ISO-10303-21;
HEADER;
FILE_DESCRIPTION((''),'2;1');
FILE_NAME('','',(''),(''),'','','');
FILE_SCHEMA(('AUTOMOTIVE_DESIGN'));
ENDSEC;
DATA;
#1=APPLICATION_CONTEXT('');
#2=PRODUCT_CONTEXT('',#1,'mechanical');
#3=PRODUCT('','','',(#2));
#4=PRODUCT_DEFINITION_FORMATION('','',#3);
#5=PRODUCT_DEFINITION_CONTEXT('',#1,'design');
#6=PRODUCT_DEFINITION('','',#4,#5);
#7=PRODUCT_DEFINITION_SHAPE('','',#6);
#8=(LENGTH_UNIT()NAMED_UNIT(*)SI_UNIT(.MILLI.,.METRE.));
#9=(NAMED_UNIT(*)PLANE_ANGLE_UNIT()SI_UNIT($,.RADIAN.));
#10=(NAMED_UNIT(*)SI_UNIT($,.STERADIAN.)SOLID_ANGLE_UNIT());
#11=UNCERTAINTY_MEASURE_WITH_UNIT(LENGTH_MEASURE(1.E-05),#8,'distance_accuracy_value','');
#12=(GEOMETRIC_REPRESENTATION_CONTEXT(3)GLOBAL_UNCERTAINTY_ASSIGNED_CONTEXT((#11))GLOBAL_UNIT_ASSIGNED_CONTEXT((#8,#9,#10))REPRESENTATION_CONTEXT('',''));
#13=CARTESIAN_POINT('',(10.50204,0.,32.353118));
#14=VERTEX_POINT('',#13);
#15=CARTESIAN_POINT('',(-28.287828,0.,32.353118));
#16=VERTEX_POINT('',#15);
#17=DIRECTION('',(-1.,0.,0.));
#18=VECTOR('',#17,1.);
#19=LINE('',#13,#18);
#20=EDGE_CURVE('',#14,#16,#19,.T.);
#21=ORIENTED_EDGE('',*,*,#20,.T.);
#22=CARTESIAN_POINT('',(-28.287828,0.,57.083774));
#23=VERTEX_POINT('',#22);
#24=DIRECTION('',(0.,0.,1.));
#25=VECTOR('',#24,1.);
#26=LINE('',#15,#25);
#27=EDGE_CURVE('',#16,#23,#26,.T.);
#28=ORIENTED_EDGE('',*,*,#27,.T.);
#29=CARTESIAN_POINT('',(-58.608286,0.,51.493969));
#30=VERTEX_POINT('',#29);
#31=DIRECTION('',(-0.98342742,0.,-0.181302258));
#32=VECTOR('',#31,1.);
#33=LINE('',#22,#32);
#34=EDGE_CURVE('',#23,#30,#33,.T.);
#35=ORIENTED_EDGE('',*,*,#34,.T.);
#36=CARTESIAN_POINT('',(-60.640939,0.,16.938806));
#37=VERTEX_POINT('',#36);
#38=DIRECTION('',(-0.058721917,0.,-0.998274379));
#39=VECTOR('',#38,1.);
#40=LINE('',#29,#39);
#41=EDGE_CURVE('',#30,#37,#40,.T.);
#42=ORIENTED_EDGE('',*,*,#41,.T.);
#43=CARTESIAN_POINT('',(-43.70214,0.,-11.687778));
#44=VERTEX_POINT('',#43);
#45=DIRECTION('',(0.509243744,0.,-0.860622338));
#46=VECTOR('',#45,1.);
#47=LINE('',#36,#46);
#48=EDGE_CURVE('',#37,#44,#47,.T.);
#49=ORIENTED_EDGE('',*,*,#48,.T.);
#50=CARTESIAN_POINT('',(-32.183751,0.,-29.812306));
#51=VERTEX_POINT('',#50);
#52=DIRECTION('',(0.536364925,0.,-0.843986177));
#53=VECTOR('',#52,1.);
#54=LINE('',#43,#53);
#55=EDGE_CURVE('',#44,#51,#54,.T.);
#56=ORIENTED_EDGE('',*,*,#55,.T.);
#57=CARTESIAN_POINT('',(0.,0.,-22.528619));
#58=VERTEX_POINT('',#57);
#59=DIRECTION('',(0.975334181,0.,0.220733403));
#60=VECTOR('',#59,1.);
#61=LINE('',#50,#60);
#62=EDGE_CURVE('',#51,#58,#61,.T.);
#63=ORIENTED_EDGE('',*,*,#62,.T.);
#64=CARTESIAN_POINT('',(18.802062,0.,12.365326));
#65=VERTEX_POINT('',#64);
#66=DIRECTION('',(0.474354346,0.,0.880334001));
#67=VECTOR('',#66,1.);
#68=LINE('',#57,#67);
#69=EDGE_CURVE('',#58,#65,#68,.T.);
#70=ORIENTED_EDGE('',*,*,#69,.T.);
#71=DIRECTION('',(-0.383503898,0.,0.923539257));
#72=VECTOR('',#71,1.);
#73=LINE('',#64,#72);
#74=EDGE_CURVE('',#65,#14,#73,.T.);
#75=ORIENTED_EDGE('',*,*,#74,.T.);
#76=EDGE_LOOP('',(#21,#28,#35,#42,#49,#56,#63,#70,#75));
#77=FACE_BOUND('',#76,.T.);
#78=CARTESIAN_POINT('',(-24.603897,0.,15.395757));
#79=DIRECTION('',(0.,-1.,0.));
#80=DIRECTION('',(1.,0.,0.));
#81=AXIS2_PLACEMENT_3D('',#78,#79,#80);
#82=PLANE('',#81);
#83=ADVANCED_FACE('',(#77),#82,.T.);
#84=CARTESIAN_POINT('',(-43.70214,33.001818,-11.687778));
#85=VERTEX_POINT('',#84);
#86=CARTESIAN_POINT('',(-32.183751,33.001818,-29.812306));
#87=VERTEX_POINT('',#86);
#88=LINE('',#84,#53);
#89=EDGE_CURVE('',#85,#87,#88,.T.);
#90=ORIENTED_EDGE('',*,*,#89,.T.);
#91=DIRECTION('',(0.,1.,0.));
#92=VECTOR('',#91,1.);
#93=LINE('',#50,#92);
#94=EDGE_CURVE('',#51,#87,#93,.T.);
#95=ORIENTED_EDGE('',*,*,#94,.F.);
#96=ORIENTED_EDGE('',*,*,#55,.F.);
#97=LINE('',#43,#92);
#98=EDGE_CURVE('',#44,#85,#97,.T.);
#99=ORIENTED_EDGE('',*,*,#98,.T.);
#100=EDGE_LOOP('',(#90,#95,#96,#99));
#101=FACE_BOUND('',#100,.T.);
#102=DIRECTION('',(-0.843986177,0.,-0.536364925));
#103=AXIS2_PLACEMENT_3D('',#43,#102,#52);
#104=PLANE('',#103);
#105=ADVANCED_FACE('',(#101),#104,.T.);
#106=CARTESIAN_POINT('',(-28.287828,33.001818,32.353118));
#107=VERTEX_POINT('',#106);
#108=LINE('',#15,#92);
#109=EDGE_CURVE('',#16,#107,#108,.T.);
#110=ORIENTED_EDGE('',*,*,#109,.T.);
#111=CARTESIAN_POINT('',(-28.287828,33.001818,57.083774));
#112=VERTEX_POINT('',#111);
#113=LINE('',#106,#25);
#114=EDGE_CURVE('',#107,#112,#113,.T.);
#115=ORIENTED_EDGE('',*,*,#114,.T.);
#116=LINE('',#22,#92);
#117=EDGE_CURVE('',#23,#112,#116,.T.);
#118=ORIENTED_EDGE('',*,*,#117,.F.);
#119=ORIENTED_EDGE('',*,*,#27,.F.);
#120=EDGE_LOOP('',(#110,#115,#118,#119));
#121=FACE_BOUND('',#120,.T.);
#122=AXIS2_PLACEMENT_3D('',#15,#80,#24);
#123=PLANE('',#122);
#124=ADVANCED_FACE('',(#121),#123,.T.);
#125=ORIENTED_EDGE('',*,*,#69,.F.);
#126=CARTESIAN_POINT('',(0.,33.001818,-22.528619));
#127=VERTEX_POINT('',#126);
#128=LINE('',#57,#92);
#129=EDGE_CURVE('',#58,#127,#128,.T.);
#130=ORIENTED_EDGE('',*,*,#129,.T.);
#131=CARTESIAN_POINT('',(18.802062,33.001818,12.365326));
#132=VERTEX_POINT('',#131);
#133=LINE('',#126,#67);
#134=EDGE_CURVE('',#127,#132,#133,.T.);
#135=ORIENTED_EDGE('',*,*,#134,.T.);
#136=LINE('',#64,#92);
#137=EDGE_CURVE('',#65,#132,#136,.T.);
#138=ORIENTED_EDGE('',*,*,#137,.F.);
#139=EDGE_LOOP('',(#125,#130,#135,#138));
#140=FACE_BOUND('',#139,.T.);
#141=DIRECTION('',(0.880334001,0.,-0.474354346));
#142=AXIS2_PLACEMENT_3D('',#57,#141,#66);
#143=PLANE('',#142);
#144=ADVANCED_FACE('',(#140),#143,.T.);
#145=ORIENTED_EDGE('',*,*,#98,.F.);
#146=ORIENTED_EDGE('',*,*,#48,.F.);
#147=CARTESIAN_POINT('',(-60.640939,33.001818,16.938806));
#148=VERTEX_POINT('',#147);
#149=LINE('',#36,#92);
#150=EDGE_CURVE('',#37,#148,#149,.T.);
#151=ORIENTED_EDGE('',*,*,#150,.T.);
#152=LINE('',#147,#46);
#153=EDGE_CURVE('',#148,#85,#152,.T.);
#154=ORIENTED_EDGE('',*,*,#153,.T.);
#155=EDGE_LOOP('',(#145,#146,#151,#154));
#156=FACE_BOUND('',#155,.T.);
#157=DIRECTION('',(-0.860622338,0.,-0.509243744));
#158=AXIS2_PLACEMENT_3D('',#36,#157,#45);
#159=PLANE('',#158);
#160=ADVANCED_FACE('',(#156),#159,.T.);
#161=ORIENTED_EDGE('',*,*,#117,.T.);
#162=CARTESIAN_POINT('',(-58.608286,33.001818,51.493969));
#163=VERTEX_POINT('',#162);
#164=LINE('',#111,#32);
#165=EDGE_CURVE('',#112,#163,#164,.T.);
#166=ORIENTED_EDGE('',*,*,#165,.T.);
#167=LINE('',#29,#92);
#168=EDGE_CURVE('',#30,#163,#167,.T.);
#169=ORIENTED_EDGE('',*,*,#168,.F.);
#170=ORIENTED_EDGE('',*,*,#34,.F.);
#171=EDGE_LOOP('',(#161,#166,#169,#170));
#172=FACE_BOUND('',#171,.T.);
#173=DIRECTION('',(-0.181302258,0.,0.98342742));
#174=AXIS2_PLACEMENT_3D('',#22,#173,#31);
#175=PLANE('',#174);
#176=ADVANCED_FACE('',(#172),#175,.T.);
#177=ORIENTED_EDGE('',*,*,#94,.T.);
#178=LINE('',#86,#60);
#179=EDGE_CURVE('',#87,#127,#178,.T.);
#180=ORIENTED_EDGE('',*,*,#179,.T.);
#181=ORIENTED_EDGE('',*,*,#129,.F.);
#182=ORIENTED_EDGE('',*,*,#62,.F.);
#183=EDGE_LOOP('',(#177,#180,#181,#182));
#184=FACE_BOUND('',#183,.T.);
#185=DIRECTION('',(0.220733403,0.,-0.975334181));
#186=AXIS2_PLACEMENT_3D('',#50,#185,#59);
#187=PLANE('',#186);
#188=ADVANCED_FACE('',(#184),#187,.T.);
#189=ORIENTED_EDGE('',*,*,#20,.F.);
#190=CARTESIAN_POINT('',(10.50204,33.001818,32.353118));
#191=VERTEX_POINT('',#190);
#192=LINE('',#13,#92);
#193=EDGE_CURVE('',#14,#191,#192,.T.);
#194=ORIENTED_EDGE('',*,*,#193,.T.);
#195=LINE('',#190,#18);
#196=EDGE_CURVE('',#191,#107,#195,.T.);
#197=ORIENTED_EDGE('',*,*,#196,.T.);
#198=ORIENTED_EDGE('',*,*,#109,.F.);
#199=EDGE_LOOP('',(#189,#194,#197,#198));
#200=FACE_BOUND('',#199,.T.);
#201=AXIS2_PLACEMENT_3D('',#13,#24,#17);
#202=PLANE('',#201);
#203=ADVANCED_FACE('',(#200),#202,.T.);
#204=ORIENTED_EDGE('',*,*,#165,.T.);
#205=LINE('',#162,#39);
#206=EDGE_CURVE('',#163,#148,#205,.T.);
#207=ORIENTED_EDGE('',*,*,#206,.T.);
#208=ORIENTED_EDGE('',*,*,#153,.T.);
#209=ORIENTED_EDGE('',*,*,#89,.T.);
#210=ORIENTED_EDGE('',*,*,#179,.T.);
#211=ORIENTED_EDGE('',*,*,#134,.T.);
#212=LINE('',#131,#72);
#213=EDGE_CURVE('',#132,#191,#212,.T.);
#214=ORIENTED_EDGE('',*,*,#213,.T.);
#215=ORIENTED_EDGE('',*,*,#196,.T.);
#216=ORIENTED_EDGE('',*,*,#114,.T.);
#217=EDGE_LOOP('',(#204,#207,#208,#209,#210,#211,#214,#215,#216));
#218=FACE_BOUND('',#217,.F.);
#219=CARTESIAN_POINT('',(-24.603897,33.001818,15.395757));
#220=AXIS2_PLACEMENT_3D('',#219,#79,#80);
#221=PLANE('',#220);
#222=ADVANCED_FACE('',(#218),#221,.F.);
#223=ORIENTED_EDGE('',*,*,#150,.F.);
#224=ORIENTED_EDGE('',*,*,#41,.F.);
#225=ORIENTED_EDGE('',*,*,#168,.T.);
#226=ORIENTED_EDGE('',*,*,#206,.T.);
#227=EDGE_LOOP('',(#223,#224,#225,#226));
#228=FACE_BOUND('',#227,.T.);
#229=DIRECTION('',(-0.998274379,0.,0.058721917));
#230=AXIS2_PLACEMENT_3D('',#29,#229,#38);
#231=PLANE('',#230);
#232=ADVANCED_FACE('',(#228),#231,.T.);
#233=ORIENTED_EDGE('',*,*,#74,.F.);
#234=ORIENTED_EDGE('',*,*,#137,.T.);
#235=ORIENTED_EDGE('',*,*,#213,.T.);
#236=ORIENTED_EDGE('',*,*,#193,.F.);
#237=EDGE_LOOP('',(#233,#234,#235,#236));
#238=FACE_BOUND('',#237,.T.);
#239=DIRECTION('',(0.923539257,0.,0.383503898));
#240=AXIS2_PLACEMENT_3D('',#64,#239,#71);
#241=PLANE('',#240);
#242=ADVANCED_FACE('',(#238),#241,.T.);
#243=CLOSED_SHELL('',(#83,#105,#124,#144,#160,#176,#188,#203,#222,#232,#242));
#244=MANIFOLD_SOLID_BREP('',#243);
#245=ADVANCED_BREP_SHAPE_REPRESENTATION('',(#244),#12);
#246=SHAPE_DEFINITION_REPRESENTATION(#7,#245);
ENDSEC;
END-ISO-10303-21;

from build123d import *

# Parameters (mm, degrees)
F1_DEPTH = 33.001818


with BuildPart() as f1:
    # F0 (on Front) → F1 (new body)
    with BuildSketch(Plane.XZ):
        Polygon((-28.287828, 32.353118), (-28.287828, 57.083774), (-58.608286, 51.493969), (-60.640939, 16.938806), (-43.70214, -11.687778), (-32.183751, -29.812306), (0, -22.528619), (18.802062, 12.365326), (10.50204, 32.353118), align=None)
    extrude(amount=-F1_DEPTH)


solid = f1.part
